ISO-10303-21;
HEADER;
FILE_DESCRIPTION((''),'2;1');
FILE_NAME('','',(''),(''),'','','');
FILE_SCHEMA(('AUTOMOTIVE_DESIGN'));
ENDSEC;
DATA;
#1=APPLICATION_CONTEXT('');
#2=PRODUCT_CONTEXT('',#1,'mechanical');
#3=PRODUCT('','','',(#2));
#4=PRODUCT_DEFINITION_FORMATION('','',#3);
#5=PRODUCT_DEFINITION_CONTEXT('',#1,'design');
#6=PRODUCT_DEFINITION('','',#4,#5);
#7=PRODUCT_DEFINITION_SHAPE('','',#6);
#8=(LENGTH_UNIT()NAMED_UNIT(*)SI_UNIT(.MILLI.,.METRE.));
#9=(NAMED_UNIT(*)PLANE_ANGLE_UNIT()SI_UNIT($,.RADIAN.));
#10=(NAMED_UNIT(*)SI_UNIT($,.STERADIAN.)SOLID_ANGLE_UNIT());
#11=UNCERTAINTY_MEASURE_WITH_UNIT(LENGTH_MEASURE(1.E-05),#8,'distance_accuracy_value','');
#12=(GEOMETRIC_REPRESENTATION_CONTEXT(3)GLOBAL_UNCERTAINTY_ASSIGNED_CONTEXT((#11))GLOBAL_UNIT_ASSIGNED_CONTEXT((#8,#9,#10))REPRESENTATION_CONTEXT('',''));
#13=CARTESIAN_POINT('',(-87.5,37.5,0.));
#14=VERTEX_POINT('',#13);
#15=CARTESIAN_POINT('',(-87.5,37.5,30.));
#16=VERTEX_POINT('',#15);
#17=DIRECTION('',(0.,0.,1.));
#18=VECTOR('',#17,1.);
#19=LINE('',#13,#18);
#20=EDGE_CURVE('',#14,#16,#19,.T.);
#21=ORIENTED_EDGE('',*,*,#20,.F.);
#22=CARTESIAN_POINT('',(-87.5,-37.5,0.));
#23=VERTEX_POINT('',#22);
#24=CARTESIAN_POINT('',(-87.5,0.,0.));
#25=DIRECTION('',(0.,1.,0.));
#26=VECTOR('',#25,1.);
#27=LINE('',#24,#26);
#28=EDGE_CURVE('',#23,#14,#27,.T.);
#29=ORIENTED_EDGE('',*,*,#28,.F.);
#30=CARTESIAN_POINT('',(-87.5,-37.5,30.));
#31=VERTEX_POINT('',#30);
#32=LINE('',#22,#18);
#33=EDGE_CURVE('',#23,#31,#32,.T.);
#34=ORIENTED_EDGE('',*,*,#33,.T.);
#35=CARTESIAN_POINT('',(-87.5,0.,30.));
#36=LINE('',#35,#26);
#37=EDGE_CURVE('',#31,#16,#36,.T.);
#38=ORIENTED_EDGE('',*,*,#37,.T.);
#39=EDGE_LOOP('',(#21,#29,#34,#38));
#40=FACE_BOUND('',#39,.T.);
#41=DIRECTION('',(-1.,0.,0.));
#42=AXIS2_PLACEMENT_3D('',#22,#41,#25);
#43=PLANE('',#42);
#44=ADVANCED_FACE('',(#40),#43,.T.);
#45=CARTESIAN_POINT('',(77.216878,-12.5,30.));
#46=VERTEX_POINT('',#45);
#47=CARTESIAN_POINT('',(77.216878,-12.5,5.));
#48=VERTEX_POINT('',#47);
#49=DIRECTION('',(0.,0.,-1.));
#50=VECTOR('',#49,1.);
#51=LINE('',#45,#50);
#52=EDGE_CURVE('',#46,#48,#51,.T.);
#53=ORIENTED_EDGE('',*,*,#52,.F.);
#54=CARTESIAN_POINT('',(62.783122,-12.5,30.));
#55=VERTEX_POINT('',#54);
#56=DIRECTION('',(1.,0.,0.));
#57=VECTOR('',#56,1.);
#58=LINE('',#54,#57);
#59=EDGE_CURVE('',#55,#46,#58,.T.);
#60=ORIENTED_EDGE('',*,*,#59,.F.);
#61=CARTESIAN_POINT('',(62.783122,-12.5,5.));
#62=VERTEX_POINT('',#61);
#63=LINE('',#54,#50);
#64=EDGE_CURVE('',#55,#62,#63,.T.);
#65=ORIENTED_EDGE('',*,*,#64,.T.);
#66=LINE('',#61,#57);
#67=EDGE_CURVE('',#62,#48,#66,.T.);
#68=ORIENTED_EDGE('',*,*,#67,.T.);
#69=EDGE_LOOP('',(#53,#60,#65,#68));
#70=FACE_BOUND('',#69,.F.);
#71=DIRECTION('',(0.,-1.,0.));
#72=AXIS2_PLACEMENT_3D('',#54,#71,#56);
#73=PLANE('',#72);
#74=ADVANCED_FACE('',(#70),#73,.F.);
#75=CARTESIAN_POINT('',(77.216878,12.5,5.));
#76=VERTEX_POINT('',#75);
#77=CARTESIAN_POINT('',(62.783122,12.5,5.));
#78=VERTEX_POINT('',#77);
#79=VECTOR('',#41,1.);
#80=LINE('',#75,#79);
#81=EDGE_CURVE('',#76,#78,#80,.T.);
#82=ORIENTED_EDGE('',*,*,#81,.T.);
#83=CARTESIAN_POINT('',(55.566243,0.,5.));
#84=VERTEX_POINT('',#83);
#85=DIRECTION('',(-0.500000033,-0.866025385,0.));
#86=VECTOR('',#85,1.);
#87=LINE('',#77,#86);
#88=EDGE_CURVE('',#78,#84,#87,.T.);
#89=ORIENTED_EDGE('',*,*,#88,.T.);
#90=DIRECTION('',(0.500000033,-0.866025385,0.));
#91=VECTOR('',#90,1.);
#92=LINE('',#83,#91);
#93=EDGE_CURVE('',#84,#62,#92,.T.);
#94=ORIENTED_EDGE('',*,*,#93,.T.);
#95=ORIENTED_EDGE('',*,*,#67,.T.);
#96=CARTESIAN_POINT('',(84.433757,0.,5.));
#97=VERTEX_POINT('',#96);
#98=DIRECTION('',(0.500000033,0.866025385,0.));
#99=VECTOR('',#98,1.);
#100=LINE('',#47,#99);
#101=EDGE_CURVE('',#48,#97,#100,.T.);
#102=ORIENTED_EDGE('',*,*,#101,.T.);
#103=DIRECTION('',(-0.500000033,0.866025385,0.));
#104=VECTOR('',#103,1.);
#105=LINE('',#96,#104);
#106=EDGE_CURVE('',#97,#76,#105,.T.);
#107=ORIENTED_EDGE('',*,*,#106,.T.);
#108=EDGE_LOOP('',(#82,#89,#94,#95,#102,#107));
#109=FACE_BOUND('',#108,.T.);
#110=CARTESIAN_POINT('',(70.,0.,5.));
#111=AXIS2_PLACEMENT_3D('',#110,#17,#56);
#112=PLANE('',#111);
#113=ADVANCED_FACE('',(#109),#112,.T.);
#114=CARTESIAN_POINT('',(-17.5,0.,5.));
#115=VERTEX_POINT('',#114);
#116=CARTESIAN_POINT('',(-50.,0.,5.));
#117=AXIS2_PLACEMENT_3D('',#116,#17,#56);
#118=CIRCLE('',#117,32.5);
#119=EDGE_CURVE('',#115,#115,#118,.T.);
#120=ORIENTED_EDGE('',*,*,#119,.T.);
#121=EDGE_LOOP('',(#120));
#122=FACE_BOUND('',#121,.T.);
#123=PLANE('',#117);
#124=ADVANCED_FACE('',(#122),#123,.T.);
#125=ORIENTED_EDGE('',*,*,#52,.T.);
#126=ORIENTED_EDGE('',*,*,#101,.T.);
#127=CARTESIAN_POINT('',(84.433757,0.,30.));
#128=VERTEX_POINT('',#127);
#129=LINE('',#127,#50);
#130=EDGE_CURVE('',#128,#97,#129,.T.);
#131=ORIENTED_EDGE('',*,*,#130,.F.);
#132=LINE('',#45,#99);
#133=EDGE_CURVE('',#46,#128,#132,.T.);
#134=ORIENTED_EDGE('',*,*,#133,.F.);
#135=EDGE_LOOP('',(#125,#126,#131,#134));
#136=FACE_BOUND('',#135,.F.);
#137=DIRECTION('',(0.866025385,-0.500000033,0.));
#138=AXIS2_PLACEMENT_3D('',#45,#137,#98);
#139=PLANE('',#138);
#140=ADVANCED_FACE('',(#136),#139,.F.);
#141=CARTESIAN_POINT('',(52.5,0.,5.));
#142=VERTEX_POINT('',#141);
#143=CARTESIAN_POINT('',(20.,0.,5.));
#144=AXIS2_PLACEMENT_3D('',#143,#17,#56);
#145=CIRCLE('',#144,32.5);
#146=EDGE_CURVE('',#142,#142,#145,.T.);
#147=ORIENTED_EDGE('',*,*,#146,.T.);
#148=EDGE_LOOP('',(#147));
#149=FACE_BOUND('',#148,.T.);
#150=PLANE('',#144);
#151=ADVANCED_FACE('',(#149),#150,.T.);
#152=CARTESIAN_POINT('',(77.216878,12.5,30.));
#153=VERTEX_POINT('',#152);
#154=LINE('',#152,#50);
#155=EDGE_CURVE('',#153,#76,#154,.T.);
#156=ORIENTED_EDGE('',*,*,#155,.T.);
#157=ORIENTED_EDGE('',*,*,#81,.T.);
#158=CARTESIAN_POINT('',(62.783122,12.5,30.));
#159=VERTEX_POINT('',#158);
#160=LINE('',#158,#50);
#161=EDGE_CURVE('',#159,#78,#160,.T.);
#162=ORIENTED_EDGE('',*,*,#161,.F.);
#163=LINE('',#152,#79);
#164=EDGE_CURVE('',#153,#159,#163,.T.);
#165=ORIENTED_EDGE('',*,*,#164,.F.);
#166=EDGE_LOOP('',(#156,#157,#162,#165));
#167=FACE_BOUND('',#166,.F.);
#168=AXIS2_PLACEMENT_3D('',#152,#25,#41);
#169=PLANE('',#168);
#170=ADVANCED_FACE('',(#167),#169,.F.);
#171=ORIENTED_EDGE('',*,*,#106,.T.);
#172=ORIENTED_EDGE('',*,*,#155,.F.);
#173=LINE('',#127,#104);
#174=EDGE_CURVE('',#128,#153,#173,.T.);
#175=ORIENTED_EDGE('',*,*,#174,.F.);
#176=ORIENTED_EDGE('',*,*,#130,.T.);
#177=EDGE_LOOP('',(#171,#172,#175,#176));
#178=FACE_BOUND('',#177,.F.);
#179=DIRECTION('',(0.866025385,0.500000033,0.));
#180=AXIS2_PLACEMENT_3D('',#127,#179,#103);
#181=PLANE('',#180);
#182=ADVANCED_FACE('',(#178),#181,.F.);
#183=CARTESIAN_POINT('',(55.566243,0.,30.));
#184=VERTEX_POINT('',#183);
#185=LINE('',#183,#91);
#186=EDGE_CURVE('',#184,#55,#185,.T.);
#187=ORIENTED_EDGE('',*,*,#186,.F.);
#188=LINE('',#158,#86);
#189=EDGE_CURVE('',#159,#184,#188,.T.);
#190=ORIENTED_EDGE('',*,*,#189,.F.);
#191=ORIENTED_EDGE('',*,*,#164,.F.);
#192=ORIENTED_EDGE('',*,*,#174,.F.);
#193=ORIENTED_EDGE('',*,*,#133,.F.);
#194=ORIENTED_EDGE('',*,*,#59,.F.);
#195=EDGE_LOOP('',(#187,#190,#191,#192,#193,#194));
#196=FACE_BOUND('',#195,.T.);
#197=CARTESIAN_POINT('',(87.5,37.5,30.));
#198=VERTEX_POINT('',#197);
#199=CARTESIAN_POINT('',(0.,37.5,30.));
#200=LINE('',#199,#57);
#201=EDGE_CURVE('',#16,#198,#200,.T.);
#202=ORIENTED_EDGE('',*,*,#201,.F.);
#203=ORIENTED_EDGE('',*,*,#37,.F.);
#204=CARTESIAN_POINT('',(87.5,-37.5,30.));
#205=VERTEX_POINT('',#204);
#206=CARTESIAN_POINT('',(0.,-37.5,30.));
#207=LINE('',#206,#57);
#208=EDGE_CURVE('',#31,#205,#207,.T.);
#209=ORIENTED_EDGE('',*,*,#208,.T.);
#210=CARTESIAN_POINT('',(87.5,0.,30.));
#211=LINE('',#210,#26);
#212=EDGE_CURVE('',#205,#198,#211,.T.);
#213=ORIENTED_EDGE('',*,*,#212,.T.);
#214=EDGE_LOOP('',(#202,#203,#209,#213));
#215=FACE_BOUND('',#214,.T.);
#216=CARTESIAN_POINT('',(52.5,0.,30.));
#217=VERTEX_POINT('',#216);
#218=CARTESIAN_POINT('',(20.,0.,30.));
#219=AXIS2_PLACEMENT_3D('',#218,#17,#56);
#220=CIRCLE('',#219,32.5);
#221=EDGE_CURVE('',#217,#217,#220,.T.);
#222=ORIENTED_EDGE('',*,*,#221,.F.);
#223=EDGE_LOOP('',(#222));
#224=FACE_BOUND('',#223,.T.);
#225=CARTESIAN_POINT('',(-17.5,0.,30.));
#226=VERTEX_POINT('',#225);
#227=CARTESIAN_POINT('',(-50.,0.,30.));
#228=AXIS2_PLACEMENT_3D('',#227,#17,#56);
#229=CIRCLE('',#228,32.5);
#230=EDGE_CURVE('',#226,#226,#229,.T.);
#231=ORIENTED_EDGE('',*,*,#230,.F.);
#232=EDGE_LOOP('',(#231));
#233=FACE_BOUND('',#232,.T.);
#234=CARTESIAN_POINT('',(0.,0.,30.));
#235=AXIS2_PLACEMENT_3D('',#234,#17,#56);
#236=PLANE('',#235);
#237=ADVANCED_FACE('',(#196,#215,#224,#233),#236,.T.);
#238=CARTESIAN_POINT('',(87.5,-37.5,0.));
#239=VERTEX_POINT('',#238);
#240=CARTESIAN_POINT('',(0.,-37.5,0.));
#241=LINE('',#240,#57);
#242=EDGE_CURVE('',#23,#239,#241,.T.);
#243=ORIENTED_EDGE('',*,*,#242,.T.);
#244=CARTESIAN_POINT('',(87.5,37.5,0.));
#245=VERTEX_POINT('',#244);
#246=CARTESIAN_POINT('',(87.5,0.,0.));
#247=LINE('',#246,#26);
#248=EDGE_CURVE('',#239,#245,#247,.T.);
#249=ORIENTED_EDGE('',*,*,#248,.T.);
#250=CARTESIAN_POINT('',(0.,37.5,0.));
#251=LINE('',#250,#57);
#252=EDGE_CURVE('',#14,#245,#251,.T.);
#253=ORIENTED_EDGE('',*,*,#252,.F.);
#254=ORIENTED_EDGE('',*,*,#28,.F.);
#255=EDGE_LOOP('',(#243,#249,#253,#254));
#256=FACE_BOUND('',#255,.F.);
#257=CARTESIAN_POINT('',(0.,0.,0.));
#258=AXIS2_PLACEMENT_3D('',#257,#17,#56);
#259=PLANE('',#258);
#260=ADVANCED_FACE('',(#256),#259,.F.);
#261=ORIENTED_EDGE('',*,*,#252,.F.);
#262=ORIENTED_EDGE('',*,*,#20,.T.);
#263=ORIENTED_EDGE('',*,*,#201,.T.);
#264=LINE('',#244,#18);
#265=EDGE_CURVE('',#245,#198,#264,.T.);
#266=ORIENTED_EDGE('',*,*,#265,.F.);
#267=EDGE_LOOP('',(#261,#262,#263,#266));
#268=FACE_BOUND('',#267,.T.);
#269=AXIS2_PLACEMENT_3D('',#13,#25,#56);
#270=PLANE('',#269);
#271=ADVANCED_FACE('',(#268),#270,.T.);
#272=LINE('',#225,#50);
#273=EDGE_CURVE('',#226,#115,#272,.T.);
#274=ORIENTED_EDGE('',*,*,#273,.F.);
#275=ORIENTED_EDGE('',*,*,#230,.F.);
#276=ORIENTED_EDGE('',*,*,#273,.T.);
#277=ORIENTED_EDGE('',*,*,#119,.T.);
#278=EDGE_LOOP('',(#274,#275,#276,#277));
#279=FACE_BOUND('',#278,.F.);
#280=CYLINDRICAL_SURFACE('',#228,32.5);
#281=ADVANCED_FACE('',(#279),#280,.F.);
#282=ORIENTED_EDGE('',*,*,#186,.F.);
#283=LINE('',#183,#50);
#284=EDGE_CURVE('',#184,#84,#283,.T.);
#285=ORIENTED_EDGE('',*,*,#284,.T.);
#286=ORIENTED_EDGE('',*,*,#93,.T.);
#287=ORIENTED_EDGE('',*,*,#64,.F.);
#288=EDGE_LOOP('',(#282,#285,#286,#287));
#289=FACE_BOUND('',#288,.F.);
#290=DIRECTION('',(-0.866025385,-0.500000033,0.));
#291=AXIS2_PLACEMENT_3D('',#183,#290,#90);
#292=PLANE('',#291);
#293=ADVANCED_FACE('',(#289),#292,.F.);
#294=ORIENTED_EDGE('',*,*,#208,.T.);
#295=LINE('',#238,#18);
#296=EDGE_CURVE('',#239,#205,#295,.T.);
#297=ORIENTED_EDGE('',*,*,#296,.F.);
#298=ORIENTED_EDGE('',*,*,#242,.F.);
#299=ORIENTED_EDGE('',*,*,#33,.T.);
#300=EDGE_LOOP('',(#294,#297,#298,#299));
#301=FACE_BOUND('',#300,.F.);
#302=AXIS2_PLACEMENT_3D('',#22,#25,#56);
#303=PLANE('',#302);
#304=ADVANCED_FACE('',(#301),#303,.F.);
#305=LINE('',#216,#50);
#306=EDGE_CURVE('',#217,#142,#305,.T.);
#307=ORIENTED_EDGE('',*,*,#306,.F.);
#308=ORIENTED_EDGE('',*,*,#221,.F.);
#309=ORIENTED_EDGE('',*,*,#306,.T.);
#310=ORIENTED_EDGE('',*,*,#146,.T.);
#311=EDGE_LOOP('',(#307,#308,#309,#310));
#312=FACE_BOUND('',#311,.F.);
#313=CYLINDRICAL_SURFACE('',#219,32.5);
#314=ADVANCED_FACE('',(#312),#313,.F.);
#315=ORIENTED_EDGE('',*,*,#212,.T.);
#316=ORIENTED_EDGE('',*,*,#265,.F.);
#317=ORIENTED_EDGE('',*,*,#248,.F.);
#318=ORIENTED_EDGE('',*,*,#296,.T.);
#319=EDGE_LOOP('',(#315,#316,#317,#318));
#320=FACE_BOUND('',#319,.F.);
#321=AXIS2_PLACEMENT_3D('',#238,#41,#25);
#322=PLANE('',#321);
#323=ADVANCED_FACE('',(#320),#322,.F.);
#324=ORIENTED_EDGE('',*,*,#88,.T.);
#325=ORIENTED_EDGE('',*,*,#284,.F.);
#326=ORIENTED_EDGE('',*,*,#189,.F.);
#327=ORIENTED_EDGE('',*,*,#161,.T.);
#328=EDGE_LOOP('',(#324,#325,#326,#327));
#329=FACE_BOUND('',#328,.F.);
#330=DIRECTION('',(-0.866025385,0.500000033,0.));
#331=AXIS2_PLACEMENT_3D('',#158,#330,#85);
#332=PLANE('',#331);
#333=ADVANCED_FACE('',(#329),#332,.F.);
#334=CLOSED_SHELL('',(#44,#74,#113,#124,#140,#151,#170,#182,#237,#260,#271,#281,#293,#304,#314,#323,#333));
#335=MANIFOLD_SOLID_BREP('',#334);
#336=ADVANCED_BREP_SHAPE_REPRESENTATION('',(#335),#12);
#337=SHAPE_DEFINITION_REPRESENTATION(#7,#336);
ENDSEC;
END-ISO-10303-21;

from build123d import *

# Parameters (mm, degrees)
F0_W     = 175
F0_H     = 75
F1_DEPTH = 30
F2_R     = 32.5
F3_DEPTH = 25


with BuildPart() as f1:
    # F0 (on Top) → F1 (new body)
    with BuildSketch(Plane.XY):
        Rectangle(F0_W, F0_H)
    extrude(amount=F1_DEPTH)

    # F2 (on face) → F3 (cut)
    with BuildSketch(Plane.XY.offset(30)):
        with Locations((-50, 0)):
            Circle(F2_R)
        with Locations((20, 0)):
            Circle(F2_R)
        Polygon((77.216878, -12.5), (84.433757, 0), (77.216878, 12.5), (62.783122, 12.5), (55.566243, 0), (62.783122, -12.5), align=None)
    extrude(amount=-F3_DEPTH, mode=Mode.SUBTRACT)


solid = f1.part
